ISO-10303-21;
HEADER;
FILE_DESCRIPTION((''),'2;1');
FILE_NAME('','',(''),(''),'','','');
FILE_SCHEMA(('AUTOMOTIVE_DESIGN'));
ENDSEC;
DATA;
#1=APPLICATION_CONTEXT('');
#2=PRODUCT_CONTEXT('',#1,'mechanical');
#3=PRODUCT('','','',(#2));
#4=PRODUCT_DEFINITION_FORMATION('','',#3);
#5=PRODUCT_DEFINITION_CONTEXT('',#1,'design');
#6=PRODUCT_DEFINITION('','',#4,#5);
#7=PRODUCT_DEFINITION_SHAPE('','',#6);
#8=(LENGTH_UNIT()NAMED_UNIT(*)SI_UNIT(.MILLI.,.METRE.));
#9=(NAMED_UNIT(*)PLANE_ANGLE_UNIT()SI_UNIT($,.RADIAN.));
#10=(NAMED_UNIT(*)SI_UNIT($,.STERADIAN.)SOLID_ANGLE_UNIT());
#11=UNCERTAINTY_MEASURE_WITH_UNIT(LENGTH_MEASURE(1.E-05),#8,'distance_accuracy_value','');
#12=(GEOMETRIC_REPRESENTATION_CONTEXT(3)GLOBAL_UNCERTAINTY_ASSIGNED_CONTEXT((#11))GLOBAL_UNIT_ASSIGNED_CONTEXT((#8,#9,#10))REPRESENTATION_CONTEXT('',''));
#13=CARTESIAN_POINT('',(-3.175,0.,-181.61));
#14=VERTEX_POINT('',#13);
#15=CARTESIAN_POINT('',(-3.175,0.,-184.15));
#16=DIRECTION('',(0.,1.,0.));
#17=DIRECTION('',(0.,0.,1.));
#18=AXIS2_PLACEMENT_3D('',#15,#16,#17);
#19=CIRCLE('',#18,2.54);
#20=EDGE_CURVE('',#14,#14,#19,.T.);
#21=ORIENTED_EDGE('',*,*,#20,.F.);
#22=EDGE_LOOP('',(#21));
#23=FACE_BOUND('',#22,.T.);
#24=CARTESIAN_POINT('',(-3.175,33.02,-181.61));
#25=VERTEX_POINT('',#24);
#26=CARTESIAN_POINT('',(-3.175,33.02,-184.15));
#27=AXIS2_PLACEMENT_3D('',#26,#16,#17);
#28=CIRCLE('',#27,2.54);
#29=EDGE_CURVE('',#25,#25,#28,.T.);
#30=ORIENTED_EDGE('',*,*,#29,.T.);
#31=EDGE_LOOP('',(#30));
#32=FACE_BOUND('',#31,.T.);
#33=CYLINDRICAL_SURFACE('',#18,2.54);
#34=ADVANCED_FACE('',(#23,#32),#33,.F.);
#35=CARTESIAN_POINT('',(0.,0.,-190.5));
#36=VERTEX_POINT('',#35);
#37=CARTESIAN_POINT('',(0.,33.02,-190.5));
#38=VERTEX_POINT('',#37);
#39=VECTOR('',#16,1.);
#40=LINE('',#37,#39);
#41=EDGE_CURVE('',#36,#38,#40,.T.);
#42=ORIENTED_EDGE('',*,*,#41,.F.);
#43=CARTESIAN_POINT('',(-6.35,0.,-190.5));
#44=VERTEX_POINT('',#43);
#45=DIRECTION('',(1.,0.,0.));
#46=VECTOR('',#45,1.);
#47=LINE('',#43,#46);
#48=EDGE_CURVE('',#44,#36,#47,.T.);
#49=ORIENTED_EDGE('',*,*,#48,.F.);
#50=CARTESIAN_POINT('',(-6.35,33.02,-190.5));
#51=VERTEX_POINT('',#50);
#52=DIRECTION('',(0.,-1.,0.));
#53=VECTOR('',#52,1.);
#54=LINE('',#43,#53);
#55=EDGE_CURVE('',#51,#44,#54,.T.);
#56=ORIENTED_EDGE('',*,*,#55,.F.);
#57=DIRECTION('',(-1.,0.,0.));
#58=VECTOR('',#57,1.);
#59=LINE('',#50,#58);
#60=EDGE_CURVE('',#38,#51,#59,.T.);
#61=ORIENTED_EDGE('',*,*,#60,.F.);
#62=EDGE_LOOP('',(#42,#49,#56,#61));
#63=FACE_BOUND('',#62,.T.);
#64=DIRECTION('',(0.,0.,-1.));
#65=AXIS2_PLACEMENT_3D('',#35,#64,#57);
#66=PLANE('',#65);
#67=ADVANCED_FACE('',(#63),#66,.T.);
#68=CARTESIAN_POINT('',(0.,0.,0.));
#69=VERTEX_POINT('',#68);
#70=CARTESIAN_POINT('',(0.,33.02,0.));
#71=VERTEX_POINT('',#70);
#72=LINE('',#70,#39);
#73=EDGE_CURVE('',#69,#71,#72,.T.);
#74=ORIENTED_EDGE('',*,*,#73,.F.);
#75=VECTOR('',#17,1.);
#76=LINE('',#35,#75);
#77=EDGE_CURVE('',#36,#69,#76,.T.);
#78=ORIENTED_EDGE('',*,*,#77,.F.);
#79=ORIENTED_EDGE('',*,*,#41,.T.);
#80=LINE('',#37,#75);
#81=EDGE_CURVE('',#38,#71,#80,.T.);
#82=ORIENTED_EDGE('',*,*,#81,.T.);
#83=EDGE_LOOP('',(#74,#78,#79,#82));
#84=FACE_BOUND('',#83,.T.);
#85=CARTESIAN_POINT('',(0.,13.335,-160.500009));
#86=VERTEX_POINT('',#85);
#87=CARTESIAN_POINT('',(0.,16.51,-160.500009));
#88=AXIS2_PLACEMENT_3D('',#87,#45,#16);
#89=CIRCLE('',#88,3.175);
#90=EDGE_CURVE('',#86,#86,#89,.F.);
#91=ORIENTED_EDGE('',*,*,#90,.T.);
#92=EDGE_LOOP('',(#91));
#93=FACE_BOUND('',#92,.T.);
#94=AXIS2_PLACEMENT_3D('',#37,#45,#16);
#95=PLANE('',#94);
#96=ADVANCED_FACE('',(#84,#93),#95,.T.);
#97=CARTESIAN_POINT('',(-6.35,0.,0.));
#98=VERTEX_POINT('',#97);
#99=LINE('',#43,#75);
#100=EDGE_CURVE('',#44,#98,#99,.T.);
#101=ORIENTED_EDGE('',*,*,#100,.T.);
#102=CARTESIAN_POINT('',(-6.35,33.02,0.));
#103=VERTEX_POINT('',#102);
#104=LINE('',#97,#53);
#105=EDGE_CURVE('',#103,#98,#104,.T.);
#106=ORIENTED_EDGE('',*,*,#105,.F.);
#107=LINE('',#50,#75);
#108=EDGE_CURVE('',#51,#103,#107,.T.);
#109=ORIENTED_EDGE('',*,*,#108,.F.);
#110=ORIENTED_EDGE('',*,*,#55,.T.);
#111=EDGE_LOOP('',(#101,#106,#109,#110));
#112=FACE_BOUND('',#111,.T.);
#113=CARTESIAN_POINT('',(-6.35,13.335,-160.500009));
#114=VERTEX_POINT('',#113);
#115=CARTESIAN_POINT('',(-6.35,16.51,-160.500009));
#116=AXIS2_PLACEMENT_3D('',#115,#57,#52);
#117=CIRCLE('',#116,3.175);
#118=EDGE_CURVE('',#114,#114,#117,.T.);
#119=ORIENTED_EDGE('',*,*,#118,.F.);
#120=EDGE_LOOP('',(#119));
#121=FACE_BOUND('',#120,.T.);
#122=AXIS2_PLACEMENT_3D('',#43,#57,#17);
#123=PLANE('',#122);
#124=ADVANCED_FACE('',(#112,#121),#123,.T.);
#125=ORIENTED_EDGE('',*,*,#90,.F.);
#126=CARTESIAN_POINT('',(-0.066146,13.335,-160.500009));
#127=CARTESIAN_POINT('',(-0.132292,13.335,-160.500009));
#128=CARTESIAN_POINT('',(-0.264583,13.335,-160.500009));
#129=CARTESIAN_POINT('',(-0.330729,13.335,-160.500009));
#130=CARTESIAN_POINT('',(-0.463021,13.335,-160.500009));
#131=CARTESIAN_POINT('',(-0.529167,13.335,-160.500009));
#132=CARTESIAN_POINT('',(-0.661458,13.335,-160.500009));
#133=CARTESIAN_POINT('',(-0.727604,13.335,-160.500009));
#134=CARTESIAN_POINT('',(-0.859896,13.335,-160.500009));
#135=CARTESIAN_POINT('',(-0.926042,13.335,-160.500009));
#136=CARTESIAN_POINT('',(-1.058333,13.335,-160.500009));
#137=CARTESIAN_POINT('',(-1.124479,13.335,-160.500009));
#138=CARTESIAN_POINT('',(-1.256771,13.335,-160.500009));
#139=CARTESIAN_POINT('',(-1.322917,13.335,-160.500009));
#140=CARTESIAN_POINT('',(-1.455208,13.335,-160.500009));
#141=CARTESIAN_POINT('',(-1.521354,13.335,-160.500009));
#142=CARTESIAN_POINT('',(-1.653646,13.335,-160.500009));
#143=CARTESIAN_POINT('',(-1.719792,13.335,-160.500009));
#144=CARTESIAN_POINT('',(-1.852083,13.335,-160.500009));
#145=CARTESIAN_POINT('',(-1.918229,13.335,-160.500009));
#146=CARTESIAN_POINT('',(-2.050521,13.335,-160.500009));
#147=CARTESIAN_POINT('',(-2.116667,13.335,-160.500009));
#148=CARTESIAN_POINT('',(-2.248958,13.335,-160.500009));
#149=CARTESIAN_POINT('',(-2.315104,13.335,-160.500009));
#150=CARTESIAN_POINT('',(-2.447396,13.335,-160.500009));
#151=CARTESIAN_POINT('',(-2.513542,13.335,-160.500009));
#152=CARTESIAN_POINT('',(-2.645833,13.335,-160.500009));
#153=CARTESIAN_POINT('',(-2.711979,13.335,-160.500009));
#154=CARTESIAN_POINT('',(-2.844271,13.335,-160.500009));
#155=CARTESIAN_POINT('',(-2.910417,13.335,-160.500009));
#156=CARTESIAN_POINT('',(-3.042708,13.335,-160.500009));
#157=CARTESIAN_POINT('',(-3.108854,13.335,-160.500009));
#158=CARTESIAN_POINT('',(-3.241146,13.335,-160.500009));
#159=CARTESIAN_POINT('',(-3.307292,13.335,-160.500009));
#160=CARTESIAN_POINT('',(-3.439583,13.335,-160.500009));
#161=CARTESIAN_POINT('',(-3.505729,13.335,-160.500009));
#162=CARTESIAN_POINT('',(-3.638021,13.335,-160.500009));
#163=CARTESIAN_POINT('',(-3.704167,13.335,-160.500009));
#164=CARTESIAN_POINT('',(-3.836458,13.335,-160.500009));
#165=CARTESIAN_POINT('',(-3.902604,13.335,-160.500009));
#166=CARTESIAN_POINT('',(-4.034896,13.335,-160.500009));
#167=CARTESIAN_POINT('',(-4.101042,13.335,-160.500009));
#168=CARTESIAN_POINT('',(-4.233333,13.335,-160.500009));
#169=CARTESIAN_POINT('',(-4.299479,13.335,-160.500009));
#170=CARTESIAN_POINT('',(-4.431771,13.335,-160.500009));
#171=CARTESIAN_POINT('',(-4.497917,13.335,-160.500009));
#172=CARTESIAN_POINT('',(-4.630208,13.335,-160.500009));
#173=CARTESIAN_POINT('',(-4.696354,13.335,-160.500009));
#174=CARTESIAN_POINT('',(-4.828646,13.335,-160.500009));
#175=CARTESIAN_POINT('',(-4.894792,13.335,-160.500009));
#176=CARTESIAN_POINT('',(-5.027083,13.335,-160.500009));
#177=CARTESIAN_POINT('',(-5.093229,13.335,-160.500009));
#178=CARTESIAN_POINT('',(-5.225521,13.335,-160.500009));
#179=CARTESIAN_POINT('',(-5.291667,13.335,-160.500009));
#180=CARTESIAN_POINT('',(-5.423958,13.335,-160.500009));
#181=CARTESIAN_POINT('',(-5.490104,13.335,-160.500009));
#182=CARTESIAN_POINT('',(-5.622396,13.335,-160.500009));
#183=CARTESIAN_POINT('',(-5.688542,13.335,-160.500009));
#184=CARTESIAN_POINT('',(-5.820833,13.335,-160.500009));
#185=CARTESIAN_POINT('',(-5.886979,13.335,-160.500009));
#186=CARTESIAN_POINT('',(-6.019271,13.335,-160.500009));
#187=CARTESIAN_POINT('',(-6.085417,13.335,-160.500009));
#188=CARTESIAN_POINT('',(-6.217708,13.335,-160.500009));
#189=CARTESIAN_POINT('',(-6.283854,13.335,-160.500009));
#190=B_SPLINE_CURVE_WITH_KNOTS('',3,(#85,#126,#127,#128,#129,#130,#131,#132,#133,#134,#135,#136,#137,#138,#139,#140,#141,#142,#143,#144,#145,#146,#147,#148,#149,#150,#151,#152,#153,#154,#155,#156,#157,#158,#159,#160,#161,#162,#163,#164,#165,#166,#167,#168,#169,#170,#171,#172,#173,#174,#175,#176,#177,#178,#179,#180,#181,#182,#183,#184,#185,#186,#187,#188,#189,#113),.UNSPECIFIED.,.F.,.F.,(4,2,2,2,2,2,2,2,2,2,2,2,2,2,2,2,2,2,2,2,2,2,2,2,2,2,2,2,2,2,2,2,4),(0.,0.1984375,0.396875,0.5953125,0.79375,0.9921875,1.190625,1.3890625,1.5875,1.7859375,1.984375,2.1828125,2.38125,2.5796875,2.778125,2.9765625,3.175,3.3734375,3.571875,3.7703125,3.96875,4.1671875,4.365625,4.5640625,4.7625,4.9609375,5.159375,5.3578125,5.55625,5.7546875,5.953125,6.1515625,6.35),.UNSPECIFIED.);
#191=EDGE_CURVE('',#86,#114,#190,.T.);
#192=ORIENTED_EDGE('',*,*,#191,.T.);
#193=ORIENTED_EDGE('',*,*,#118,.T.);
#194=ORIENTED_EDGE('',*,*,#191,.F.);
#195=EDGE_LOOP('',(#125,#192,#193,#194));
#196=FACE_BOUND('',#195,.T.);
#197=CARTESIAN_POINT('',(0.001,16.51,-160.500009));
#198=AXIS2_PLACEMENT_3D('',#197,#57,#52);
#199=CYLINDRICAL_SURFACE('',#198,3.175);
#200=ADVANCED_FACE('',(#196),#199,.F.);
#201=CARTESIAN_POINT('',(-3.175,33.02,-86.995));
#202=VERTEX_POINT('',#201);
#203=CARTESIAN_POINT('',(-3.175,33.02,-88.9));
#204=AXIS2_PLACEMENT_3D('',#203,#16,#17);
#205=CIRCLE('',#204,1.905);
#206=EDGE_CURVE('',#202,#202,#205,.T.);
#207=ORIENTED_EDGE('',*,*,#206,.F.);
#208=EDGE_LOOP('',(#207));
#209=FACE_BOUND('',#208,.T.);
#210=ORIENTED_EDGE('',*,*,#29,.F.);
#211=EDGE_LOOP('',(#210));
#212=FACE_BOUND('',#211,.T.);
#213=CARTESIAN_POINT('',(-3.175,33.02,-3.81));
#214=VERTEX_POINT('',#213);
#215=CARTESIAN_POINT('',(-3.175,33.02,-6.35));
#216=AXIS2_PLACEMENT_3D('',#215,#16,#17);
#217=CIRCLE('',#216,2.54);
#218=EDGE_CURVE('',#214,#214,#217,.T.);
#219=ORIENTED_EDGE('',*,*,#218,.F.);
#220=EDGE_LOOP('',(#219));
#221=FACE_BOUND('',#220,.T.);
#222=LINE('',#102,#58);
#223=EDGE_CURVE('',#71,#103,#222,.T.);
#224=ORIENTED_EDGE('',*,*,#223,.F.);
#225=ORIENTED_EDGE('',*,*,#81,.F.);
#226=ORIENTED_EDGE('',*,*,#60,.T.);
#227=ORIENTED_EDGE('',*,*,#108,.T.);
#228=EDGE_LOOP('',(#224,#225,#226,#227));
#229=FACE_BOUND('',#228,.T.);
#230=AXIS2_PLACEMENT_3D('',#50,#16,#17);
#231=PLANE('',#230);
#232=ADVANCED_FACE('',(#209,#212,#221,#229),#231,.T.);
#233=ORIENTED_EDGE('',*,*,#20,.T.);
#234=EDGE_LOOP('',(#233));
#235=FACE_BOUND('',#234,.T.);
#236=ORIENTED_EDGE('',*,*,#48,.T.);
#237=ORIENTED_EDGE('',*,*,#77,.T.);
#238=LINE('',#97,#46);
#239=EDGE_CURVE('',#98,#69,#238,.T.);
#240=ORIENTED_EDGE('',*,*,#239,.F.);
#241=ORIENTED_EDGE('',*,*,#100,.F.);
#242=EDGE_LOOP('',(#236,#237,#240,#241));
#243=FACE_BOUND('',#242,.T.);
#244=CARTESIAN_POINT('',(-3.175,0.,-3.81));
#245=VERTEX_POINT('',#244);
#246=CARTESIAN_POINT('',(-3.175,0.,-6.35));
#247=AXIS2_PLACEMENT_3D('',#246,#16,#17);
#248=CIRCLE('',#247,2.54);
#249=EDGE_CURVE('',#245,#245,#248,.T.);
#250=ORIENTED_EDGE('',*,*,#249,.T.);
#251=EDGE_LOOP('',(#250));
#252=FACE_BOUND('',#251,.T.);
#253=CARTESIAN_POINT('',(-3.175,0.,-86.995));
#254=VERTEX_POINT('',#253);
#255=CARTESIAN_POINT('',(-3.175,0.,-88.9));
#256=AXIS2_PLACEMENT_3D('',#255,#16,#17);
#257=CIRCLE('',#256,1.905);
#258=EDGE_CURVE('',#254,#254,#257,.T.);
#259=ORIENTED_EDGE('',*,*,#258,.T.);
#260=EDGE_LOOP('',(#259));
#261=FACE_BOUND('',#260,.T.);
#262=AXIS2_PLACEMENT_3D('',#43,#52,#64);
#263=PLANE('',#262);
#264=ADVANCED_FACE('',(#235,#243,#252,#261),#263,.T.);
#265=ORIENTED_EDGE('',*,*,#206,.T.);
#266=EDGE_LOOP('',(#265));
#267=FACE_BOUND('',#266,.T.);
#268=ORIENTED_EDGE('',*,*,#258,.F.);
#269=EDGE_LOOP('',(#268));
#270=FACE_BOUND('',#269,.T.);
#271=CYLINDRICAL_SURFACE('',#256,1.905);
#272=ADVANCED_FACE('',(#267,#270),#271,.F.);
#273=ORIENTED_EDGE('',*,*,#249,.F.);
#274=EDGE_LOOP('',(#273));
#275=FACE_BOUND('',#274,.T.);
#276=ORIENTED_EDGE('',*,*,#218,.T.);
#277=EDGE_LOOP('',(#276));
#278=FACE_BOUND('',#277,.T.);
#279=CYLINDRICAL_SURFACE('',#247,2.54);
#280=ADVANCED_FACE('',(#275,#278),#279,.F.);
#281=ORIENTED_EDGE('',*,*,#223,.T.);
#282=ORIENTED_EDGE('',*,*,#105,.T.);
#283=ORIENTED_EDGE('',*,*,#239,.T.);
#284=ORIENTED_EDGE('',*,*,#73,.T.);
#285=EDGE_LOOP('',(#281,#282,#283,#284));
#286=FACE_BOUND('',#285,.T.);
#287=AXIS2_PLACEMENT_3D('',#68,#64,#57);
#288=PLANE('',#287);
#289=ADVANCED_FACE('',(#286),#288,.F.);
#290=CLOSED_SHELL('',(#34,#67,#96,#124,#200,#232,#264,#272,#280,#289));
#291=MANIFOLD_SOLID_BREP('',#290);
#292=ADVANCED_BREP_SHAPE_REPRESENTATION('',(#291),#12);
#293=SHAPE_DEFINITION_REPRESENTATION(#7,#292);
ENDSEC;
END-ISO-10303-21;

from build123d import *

# Parameters (mm, degrees)
SKETCH1_W           = 6.35
SKETCH1_H           = 33.02
BOSS_EXTRUDE1_DEPTH = 190.5
CUT_EXTRUDE1_REACH  = 195.445
SKETCH2_R           = 3.175
SKETCH3_R           = 2.54
SKETCH3_R_2         = 1.905
CUT_EXTRUDE2_DEPTH  = 194.444805823


with BuildPart() as part:
    # Sketch1 → Boss-Extrude1 (new body)
    with BuildSketch(Plane.XY):
        with Locations((-3.175, 16.51)):
            Rectangle(SKETCH1_W, SKETCH1_H)
    extrude(amount=-BOSS_EXTRUDE1_DEPTH)

    # Sketch2 → Cut-Extrude1 (cut, up to next)
    with BuildSketch(Plane.ZY.offset(6.35), mode=Mode.PRIVATE) as cut_extrude1_sk1:
        with Locations(Location((-160.5000092, 16.51, 0), (0, 0, 270))):
            Circle(SKETCH2_R)
    cut_extrude1_tool1 = extrude(cut_extrude1_sk1.sketch, amount=-CUT_EXTRUDE1_REACH, mode=Mode.PRIVATE) & part.part
    add(cut_extrude1_tool1.solids().sort_by_distance((-6.35, 16.51, -160.500009))[0], mode=Mode.SUBTRACT)

    # Sketch3 → Cut-Extrude2 (cut, through all)
    with BuildSketch(Plane(origin=(0, 33.02, 0), x_dir=(1, 0, 0), z_dir=(0, 1, 0))):
        with Locations(Location((-3.175, 6.35, 0), (0, 0, 270))):
            Circle(SKETCH3_R)
        with Locations(Location((-3.175, 184.15, 0), (0, 0, 270))):
            Circle(SKETCH3_R)
        with Locations(Location((-3.175, 88.9, 0), (0, 0, 270))):
            Circle(SKETCH3_R_2)
    extrude(amount=-CUT_EXTRUDE2_DEPTH, mode=Mode.SUBTRACT)


solid = part.part
